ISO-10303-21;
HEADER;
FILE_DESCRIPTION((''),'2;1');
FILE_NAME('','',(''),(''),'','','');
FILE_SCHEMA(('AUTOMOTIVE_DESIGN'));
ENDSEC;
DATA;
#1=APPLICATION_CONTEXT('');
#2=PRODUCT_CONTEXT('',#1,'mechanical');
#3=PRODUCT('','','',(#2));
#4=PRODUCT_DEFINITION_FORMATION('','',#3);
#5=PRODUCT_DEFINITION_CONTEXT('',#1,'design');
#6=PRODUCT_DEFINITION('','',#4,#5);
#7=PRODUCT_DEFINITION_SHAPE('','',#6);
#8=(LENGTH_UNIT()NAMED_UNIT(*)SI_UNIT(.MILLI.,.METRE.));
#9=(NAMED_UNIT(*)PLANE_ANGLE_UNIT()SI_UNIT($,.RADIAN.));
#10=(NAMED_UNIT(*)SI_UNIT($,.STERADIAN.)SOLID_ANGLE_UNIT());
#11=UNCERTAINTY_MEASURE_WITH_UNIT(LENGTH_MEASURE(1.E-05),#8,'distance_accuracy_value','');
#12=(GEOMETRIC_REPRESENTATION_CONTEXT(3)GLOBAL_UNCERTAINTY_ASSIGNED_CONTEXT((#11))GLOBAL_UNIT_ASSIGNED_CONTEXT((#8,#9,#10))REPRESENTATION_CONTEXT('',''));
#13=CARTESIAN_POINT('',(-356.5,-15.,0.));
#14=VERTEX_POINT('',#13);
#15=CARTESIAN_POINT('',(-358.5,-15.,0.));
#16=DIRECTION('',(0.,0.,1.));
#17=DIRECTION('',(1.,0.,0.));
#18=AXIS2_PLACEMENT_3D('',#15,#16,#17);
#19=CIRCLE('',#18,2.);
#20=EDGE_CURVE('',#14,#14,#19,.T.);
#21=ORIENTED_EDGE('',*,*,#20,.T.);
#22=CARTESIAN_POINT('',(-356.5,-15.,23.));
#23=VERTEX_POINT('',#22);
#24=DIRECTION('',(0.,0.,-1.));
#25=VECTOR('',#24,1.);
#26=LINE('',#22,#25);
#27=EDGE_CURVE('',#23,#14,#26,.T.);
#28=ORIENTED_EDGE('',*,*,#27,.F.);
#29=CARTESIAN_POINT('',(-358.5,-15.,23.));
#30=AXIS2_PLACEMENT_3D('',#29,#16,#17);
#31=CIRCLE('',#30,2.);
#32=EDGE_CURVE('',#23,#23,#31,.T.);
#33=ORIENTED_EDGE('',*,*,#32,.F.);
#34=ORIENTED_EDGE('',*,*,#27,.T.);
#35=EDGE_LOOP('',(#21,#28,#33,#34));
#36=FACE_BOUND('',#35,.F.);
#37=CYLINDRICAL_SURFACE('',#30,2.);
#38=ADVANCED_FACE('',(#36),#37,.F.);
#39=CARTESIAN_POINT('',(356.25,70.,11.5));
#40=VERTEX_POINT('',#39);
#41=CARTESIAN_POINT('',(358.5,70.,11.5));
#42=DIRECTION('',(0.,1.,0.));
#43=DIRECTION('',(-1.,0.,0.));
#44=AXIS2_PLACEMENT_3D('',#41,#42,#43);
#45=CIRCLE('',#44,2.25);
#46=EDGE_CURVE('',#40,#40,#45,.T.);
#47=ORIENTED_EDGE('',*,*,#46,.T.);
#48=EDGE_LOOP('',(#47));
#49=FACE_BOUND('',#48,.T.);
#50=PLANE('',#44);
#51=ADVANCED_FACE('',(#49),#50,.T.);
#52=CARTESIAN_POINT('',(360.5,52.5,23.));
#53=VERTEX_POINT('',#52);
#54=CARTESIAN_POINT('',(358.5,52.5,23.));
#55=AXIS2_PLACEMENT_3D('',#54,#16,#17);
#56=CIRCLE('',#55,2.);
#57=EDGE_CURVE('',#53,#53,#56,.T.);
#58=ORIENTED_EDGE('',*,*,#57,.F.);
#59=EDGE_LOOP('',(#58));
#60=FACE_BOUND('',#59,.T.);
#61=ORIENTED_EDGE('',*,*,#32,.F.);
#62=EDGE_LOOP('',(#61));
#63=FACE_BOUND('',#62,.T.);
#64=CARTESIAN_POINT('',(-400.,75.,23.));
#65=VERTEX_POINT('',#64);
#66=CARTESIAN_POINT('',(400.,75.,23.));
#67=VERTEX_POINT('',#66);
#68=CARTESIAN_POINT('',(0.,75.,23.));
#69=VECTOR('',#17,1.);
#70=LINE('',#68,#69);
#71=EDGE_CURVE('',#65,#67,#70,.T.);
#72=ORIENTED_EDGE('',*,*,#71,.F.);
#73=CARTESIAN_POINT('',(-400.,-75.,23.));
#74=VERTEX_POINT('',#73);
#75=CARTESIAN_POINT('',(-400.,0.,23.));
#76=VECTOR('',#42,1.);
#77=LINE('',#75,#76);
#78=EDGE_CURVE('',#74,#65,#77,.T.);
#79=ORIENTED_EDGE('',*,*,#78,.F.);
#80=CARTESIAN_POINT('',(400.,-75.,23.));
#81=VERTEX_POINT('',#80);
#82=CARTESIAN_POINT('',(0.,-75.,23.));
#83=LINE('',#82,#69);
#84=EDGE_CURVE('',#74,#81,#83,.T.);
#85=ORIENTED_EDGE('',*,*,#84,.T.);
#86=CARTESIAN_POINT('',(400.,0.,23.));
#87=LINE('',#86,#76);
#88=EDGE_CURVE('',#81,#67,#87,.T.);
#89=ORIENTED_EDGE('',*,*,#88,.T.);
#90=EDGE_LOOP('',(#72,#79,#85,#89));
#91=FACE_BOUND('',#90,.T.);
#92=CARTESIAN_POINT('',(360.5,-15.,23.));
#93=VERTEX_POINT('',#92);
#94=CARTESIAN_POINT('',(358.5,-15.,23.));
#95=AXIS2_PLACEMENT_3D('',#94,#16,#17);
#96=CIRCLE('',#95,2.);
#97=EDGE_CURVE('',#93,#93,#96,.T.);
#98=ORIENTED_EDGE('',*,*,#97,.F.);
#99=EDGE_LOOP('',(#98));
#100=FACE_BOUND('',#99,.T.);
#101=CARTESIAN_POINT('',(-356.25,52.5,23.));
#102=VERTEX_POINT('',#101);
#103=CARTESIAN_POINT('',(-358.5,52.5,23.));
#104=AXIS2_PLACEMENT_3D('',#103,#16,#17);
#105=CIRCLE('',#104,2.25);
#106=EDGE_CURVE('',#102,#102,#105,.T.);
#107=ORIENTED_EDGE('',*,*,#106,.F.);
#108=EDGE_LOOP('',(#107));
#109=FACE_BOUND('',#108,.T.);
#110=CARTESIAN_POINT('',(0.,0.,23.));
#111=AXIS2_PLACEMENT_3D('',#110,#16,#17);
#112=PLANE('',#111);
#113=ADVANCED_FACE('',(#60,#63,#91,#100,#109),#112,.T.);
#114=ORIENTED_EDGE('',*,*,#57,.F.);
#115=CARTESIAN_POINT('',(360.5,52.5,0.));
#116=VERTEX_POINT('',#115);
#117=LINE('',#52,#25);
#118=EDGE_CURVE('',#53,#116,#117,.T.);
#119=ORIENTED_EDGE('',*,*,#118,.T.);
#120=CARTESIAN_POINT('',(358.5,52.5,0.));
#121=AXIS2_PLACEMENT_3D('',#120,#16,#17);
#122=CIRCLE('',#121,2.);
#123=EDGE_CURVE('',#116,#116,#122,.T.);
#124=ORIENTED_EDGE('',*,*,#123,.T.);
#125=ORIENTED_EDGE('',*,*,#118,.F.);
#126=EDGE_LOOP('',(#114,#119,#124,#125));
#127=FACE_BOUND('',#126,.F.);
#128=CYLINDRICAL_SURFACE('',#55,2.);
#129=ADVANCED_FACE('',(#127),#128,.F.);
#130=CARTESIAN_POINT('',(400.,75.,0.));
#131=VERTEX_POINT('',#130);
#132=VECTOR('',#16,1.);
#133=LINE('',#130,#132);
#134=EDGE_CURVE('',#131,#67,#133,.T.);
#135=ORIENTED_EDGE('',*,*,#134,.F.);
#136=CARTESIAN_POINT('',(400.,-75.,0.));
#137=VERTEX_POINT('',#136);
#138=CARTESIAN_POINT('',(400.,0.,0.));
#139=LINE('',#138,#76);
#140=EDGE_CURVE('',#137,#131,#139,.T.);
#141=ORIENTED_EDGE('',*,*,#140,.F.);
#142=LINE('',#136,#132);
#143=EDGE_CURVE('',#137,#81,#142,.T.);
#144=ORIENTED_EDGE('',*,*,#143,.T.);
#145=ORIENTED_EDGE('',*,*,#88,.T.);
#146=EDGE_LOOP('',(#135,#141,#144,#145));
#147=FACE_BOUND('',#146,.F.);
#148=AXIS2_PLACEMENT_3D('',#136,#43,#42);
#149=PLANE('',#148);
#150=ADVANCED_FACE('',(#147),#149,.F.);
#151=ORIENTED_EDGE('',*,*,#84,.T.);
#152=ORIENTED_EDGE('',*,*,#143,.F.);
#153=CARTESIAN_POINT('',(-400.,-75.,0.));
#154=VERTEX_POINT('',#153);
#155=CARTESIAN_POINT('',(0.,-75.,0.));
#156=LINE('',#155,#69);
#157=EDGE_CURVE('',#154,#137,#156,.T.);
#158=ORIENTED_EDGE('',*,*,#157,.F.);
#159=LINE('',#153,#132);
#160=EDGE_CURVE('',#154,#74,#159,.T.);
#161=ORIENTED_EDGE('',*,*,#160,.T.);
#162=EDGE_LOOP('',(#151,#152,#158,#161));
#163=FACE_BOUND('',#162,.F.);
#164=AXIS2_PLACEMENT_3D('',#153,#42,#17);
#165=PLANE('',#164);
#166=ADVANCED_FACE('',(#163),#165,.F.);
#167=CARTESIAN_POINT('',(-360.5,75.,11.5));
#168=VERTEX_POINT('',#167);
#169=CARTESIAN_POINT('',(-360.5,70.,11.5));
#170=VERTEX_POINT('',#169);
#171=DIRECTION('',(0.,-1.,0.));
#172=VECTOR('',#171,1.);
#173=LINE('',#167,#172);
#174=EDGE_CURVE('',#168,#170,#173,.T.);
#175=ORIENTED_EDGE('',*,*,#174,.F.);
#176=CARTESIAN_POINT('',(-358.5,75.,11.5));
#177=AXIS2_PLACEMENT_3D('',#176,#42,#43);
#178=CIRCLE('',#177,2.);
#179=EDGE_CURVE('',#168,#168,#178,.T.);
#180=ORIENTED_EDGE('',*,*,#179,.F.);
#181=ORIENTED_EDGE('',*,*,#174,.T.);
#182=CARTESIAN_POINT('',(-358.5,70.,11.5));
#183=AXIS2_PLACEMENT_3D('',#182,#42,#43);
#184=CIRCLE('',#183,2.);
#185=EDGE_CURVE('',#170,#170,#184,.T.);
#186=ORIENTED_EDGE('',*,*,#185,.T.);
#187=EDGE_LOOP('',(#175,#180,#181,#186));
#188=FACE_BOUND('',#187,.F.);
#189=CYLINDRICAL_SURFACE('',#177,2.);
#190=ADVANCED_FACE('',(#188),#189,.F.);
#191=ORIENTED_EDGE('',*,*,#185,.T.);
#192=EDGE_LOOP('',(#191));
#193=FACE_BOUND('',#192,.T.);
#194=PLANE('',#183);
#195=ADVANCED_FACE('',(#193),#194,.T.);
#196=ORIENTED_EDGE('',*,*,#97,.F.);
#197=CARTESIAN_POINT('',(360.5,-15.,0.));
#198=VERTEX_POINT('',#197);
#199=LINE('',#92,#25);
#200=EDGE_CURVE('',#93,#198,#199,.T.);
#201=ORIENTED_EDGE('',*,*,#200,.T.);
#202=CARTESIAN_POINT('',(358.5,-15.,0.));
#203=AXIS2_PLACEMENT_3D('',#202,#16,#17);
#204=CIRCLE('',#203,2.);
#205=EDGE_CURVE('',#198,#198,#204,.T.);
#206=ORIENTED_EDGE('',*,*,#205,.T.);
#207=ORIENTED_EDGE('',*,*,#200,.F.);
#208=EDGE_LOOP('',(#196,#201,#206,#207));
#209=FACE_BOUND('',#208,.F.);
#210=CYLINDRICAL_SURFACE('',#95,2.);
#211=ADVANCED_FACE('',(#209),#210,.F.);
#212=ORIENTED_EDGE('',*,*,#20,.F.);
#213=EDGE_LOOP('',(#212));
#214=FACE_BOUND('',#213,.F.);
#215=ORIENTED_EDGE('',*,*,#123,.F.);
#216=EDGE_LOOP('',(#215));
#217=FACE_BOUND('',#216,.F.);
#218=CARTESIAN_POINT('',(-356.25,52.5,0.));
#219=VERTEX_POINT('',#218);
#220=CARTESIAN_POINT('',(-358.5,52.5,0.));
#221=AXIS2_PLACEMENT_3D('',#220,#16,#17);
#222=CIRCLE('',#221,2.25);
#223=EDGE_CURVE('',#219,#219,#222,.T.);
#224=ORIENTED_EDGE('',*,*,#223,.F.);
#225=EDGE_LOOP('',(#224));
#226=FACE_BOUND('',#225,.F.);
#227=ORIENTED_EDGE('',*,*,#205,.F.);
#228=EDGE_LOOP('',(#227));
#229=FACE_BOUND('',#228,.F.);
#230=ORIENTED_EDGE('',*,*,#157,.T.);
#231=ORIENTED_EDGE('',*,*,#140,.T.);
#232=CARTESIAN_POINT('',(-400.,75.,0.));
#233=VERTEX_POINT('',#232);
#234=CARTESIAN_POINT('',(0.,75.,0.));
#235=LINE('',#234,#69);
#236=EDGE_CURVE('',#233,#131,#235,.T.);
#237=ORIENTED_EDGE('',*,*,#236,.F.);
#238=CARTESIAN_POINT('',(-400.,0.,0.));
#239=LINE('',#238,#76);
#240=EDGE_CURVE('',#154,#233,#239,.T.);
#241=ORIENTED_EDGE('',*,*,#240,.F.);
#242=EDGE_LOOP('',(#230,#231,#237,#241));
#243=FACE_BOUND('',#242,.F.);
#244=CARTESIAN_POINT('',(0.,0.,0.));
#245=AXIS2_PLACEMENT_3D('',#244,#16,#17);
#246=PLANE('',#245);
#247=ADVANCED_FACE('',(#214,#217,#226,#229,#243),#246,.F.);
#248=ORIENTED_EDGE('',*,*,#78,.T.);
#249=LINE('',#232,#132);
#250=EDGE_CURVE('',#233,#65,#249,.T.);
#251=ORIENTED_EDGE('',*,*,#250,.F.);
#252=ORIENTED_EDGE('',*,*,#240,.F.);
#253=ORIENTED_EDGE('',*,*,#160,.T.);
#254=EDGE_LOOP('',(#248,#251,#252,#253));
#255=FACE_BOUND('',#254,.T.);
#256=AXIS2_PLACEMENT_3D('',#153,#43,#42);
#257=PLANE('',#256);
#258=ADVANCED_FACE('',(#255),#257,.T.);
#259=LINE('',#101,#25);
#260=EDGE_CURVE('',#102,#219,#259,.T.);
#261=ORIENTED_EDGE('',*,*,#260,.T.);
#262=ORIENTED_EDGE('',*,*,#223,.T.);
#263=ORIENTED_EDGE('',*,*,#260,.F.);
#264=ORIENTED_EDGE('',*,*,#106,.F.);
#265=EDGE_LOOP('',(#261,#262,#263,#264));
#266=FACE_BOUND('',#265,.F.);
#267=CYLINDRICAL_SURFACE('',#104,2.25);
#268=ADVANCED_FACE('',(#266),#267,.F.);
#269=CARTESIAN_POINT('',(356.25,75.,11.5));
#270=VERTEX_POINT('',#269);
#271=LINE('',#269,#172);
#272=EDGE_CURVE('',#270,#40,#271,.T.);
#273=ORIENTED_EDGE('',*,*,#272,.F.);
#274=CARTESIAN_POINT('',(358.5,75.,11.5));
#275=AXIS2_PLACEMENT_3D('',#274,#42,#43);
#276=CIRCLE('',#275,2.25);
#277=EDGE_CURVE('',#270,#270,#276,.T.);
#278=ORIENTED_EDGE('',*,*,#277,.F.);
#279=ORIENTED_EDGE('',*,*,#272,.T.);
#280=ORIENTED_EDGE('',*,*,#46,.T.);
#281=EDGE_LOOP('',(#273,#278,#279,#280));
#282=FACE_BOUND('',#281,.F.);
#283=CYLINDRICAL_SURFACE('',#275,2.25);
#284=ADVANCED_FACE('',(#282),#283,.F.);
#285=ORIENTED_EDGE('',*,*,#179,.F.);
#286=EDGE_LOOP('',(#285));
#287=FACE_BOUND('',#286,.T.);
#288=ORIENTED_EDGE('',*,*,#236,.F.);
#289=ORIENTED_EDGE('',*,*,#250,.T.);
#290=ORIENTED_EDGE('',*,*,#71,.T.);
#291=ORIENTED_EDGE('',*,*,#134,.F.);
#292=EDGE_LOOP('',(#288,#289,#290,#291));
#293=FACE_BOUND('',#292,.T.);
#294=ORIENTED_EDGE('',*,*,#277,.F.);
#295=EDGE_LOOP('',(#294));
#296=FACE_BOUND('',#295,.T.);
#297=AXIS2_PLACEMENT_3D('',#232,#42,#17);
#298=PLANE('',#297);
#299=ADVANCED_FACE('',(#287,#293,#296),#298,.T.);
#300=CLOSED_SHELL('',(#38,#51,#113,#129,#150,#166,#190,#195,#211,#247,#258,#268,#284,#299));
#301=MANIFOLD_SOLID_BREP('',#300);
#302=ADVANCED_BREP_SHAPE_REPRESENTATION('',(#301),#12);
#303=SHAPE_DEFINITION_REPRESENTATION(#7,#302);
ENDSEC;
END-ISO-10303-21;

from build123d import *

# Parameters (mm, degrees)
SKETCH_W        = 800
SKETCH_H        = 150
PAD_DEPTH       = 23
SKETCH005_R     = 2.25
SKETCH005_R_2   = 2
POCKET002_DEPTH = 23
SKETCH006_R     = 2.25
SKETCH006_R_2   = 2
POCKET003_DEPTH = 5


with BuildPart() as part:
    # Sketch → Pad (new body)
    with BuildSketch(Plane.XY):
        Rectangle(SKETCH_W, SKETCH_H)
    extrude(amount=PAD_DEPTH)

    # Sketch005 (on Face6 of Pad) → Pocket002 (cut)
    with BuildSketch(Plane.XY.offset(23)):
        with Locations((-358.5, 52.5)):
            Circle(SKETCH005_R)
        with Locations((-358.5, -15)):
            Circle(SKETCH005_R_2)
        with Locations((358.5, -15)):
            Circle(SKETCH005_R_2)
        with Locations((358.5, 52.5)):
            Circle(SKETCH005_R_2)
    extrude(amount=-POCKET002_DEPTH, mode=Mode.SUBTRACT)

    # Sketch006 (on Face3 of Pocket002) → Pocket003 (cut)
    with BuildSketch(Plane(origin=(0, 75, 0), x_dir=(-1, 0, 0), z_dir=(0, 1, 0))):
        with Locations((-358.5, 11.5)):
            Circle(SKETCH006_R)
        with Locations((358.5, 11.5)):
            Circle(SKETCH006_R_2)
    extrude(amount=-POCKET003_DEPTH, mode=Mode.SUBTRACT)


solid = part.part
